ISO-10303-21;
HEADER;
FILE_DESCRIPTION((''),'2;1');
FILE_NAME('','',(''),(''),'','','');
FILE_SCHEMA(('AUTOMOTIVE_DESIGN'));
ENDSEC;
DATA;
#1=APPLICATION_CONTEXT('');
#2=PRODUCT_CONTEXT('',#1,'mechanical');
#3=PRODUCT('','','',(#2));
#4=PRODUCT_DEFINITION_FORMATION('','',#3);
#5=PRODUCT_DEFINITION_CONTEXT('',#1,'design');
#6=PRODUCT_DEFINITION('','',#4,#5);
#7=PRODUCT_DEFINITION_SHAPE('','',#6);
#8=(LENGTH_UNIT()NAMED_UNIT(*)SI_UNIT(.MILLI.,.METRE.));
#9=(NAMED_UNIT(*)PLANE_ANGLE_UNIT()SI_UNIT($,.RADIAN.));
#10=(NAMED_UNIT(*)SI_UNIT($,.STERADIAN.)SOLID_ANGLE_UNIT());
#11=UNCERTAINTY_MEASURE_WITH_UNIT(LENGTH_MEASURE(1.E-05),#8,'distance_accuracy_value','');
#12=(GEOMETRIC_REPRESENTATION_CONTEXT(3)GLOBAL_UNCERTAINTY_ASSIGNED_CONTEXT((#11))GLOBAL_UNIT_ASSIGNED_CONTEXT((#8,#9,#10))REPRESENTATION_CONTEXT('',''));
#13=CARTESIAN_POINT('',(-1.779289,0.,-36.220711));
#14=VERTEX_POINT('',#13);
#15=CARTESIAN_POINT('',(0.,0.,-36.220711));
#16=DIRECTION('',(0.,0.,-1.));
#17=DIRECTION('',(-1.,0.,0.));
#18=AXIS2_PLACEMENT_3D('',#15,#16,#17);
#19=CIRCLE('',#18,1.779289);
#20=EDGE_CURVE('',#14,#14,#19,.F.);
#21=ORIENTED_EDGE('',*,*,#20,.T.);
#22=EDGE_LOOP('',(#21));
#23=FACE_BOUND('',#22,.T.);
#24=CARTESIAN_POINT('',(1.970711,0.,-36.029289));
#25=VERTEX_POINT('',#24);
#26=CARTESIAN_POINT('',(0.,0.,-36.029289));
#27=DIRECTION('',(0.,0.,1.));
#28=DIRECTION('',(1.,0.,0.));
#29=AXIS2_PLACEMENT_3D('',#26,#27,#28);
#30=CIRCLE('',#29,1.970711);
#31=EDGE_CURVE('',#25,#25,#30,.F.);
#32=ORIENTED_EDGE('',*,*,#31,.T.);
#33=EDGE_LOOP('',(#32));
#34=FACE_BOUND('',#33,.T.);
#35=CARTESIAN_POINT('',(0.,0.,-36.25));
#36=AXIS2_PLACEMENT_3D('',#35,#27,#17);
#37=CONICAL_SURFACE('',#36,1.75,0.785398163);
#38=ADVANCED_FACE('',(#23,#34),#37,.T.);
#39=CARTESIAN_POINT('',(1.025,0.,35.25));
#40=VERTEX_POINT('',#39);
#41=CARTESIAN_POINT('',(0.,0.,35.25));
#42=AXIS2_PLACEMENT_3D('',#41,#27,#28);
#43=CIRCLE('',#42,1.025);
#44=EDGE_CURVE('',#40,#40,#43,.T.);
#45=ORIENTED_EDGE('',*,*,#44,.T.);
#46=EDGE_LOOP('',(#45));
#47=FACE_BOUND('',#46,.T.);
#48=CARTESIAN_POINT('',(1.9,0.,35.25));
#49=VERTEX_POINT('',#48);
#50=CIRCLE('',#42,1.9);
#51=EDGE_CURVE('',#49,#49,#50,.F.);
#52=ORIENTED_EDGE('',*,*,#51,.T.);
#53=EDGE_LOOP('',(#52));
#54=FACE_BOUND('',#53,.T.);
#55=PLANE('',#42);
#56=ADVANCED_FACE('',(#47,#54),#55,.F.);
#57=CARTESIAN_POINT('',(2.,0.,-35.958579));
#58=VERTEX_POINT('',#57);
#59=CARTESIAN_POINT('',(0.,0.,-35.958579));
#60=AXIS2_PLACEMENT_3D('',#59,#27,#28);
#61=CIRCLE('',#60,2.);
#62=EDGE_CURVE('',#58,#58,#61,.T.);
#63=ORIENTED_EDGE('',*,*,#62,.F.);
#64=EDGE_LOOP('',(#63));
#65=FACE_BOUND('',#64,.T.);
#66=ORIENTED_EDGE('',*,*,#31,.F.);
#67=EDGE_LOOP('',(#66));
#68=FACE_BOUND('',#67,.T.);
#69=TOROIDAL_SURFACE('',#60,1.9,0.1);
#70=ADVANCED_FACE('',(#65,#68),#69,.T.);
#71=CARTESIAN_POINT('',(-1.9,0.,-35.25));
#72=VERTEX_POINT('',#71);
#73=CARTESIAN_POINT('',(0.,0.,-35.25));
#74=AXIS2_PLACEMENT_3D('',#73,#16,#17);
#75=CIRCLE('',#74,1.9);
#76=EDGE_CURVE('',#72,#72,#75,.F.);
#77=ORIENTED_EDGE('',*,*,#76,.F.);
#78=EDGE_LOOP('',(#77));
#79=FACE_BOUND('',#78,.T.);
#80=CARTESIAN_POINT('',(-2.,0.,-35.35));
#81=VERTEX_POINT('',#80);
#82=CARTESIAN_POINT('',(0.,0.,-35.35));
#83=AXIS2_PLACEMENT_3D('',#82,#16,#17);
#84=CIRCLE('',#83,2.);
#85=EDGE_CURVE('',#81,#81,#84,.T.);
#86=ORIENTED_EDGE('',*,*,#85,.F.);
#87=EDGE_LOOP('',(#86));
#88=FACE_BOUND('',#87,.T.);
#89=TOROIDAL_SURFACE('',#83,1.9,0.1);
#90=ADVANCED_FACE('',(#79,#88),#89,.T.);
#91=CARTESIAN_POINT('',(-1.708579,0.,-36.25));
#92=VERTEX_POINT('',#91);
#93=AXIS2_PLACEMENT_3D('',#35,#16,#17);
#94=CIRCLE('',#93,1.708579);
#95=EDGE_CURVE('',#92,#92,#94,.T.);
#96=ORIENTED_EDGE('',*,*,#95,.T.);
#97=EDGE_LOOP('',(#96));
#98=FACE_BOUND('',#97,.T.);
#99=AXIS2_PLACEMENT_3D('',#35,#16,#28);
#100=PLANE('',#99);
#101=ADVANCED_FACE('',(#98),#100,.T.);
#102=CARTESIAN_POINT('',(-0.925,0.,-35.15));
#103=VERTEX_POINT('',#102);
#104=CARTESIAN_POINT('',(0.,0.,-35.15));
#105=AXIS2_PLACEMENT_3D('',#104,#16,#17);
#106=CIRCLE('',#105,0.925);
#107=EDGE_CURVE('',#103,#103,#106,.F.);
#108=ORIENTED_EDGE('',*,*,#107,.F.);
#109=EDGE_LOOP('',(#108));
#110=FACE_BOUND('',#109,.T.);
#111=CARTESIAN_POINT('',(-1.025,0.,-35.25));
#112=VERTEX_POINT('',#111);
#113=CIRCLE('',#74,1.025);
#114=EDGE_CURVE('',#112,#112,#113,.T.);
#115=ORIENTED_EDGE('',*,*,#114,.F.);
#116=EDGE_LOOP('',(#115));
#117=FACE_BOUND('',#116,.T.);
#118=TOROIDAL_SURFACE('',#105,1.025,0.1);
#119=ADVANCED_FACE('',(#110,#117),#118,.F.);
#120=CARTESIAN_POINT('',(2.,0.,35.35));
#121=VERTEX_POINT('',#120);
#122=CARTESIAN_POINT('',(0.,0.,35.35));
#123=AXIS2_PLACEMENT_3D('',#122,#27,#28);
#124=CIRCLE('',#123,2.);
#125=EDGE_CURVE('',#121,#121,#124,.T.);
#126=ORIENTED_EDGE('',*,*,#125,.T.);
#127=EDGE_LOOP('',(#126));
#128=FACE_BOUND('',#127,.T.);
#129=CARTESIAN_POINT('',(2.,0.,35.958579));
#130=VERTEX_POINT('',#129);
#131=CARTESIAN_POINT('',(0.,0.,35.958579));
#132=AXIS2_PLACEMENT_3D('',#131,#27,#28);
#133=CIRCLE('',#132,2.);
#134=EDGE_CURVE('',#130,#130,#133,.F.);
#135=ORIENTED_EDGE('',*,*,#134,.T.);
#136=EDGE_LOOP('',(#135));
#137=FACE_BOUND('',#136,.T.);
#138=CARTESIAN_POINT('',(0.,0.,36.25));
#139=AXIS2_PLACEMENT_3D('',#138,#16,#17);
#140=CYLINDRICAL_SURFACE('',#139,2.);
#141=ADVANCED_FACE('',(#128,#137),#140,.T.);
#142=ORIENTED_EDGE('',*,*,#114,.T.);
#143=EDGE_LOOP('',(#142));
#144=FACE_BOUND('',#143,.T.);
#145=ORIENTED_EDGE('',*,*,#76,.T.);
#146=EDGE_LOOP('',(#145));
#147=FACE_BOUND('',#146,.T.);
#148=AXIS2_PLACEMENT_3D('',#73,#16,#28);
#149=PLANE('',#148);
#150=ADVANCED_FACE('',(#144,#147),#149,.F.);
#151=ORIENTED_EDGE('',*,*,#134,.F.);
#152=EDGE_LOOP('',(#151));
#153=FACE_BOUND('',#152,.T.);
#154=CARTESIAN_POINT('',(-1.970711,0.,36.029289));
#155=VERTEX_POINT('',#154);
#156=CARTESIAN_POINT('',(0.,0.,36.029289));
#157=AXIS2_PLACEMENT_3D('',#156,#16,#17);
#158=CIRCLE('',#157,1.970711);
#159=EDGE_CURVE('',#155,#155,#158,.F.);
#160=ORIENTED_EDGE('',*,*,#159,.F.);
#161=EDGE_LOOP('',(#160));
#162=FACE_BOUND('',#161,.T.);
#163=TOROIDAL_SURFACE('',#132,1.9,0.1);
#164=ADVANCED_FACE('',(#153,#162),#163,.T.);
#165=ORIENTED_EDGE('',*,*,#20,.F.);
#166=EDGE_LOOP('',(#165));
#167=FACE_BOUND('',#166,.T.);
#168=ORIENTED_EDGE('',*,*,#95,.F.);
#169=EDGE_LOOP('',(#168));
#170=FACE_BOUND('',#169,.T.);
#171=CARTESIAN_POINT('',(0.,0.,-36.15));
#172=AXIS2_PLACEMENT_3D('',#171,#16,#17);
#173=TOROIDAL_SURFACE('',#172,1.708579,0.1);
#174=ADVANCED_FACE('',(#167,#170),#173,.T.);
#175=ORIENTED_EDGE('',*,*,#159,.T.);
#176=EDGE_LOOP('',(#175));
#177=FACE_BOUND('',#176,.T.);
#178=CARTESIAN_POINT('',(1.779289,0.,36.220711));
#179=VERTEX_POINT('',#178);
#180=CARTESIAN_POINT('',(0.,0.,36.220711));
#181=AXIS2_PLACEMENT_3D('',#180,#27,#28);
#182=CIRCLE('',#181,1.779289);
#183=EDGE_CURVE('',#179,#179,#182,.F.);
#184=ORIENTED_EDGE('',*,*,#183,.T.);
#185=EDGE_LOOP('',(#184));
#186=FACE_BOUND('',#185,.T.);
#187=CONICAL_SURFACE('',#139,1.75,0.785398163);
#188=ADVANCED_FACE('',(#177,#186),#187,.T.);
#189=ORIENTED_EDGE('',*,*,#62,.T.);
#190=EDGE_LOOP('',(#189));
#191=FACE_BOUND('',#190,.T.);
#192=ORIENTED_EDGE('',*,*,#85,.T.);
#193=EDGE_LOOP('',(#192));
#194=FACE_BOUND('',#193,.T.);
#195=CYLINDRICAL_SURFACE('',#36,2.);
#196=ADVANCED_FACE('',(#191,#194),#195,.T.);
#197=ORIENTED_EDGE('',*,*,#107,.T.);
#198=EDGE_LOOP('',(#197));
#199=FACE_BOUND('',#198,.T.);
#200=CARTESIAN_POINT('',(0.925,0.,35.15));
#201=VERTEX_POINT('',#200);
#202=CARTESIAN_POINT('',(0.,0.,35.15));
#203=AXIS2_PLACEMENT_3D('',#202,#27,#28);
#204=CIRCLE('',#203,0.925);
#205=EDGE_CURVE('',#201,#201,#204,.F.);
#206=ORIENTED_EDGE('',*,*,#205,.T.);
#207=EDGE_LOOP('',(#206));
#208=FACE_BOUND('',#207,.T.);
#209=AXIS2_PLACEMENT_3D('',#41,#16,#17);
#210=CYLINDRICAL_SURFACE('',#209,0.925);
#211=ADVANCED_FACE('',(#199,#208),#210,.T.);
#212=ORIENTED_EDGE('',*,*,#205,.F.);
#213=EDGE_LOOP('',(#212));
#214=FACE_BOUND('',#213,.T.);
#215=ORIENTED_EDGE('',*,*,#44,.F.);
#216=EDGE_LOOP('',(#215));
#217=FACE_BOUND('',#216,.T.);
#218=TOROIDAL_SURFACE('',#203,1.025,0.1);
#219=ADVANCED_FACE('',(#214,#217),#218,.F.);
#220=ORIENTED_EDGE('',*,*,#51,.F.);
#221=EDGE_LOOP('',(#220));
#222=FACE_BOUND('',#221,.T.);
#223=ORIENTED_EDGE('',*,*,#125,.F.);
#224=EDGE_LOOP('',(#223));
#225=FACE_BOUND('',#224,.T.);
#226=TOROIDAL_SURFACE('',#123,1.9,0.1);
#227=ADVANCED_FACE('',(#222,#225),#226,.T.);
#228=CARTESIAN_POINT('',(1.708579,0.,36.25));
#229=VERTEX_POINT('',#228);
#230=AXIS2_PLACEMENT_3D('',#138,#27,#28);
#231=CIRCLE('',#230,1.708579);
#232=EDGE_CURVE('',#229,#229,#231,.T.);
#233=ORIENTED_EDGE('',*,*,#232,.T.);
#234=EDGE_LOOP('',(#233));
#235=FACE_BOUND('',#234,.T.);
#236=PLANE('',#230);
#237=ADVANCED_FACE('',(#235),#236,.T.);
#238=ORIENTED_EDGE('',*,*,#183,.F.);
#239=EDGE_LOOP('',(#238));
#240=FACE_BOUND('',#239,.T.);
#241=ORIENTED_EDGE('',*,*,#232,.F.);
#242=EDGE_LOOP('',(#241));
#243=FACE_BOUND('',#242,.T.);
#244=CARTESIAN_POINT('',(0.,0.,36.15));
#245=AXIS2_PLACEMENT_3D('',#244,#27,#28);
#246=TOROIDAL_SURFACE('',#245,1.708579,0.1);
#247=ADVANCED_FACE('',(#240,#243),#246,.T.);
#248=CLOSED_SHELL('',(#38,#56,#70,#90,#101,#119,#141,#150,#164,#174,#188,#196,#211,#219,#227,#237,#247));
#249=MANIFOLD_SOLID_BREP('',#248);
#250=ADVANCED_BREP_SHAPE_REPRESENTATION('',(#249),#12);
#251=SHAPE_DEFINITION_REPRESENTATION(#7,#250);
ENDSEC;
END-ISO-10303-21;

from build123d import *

# Parameters (mm, degrees)
SKETCH1_R           = 0.925
BOSS_EXTRUDE1_DEPTH = 35.25
SKETCH2_R           = 2
BOSS_EXTRUDE2_DEPTH = 1
CHAMFER1_SIZE       = 0.25
FILLET1_R           = 0.1


with BuildPart() as part:
    # Sketch1 → Boss-Extrude1 (new body)
    with BuildSketch(Plane.XY):
        Circle(SKETCH1_R)
    extrude(amount=BOSS_EXTRUDE1_DEPTH)

    # Sketch2 → Boss-Extrude2 (add)
    with BuildSketch(Plane.XY.offset(35.25)):
        Circle(SKETCH2_R)
    extrude(amount=BOSS_EXTRUDE2_DEPTH)

    # Chamfer1
    chamfer1_edges = [part.edges().sort_by_distance(p)[0] for p in [
        (-2, 0, 36.25),
    ]]
    chamfer(chamfer1_edges, length=CHAMFER1_SIZE)

    # Mirror1: part across plane


with BuildPart() as part_1:
    add(part.part)
    add(part.part.mirror(Plane.XY))

    # Fillet1
    fillet1_edges = [part_1.edges().sort_by_distance(p)[0] for p in [
        (-1.75, 0, 36.25),
        (-2, 0, 36),
        (-0.925, 0, -35.25),
        (-2, 0, -35.25),
        (-2, 0, -36),
        (-1.75, 0, -36.25),
        (-0.925, 0, 35.25),
        (-2, 0, 35.25),
    ]]
    fillet(fillet1_edges, radius=FILLET1_R)


solid = part_1.part
